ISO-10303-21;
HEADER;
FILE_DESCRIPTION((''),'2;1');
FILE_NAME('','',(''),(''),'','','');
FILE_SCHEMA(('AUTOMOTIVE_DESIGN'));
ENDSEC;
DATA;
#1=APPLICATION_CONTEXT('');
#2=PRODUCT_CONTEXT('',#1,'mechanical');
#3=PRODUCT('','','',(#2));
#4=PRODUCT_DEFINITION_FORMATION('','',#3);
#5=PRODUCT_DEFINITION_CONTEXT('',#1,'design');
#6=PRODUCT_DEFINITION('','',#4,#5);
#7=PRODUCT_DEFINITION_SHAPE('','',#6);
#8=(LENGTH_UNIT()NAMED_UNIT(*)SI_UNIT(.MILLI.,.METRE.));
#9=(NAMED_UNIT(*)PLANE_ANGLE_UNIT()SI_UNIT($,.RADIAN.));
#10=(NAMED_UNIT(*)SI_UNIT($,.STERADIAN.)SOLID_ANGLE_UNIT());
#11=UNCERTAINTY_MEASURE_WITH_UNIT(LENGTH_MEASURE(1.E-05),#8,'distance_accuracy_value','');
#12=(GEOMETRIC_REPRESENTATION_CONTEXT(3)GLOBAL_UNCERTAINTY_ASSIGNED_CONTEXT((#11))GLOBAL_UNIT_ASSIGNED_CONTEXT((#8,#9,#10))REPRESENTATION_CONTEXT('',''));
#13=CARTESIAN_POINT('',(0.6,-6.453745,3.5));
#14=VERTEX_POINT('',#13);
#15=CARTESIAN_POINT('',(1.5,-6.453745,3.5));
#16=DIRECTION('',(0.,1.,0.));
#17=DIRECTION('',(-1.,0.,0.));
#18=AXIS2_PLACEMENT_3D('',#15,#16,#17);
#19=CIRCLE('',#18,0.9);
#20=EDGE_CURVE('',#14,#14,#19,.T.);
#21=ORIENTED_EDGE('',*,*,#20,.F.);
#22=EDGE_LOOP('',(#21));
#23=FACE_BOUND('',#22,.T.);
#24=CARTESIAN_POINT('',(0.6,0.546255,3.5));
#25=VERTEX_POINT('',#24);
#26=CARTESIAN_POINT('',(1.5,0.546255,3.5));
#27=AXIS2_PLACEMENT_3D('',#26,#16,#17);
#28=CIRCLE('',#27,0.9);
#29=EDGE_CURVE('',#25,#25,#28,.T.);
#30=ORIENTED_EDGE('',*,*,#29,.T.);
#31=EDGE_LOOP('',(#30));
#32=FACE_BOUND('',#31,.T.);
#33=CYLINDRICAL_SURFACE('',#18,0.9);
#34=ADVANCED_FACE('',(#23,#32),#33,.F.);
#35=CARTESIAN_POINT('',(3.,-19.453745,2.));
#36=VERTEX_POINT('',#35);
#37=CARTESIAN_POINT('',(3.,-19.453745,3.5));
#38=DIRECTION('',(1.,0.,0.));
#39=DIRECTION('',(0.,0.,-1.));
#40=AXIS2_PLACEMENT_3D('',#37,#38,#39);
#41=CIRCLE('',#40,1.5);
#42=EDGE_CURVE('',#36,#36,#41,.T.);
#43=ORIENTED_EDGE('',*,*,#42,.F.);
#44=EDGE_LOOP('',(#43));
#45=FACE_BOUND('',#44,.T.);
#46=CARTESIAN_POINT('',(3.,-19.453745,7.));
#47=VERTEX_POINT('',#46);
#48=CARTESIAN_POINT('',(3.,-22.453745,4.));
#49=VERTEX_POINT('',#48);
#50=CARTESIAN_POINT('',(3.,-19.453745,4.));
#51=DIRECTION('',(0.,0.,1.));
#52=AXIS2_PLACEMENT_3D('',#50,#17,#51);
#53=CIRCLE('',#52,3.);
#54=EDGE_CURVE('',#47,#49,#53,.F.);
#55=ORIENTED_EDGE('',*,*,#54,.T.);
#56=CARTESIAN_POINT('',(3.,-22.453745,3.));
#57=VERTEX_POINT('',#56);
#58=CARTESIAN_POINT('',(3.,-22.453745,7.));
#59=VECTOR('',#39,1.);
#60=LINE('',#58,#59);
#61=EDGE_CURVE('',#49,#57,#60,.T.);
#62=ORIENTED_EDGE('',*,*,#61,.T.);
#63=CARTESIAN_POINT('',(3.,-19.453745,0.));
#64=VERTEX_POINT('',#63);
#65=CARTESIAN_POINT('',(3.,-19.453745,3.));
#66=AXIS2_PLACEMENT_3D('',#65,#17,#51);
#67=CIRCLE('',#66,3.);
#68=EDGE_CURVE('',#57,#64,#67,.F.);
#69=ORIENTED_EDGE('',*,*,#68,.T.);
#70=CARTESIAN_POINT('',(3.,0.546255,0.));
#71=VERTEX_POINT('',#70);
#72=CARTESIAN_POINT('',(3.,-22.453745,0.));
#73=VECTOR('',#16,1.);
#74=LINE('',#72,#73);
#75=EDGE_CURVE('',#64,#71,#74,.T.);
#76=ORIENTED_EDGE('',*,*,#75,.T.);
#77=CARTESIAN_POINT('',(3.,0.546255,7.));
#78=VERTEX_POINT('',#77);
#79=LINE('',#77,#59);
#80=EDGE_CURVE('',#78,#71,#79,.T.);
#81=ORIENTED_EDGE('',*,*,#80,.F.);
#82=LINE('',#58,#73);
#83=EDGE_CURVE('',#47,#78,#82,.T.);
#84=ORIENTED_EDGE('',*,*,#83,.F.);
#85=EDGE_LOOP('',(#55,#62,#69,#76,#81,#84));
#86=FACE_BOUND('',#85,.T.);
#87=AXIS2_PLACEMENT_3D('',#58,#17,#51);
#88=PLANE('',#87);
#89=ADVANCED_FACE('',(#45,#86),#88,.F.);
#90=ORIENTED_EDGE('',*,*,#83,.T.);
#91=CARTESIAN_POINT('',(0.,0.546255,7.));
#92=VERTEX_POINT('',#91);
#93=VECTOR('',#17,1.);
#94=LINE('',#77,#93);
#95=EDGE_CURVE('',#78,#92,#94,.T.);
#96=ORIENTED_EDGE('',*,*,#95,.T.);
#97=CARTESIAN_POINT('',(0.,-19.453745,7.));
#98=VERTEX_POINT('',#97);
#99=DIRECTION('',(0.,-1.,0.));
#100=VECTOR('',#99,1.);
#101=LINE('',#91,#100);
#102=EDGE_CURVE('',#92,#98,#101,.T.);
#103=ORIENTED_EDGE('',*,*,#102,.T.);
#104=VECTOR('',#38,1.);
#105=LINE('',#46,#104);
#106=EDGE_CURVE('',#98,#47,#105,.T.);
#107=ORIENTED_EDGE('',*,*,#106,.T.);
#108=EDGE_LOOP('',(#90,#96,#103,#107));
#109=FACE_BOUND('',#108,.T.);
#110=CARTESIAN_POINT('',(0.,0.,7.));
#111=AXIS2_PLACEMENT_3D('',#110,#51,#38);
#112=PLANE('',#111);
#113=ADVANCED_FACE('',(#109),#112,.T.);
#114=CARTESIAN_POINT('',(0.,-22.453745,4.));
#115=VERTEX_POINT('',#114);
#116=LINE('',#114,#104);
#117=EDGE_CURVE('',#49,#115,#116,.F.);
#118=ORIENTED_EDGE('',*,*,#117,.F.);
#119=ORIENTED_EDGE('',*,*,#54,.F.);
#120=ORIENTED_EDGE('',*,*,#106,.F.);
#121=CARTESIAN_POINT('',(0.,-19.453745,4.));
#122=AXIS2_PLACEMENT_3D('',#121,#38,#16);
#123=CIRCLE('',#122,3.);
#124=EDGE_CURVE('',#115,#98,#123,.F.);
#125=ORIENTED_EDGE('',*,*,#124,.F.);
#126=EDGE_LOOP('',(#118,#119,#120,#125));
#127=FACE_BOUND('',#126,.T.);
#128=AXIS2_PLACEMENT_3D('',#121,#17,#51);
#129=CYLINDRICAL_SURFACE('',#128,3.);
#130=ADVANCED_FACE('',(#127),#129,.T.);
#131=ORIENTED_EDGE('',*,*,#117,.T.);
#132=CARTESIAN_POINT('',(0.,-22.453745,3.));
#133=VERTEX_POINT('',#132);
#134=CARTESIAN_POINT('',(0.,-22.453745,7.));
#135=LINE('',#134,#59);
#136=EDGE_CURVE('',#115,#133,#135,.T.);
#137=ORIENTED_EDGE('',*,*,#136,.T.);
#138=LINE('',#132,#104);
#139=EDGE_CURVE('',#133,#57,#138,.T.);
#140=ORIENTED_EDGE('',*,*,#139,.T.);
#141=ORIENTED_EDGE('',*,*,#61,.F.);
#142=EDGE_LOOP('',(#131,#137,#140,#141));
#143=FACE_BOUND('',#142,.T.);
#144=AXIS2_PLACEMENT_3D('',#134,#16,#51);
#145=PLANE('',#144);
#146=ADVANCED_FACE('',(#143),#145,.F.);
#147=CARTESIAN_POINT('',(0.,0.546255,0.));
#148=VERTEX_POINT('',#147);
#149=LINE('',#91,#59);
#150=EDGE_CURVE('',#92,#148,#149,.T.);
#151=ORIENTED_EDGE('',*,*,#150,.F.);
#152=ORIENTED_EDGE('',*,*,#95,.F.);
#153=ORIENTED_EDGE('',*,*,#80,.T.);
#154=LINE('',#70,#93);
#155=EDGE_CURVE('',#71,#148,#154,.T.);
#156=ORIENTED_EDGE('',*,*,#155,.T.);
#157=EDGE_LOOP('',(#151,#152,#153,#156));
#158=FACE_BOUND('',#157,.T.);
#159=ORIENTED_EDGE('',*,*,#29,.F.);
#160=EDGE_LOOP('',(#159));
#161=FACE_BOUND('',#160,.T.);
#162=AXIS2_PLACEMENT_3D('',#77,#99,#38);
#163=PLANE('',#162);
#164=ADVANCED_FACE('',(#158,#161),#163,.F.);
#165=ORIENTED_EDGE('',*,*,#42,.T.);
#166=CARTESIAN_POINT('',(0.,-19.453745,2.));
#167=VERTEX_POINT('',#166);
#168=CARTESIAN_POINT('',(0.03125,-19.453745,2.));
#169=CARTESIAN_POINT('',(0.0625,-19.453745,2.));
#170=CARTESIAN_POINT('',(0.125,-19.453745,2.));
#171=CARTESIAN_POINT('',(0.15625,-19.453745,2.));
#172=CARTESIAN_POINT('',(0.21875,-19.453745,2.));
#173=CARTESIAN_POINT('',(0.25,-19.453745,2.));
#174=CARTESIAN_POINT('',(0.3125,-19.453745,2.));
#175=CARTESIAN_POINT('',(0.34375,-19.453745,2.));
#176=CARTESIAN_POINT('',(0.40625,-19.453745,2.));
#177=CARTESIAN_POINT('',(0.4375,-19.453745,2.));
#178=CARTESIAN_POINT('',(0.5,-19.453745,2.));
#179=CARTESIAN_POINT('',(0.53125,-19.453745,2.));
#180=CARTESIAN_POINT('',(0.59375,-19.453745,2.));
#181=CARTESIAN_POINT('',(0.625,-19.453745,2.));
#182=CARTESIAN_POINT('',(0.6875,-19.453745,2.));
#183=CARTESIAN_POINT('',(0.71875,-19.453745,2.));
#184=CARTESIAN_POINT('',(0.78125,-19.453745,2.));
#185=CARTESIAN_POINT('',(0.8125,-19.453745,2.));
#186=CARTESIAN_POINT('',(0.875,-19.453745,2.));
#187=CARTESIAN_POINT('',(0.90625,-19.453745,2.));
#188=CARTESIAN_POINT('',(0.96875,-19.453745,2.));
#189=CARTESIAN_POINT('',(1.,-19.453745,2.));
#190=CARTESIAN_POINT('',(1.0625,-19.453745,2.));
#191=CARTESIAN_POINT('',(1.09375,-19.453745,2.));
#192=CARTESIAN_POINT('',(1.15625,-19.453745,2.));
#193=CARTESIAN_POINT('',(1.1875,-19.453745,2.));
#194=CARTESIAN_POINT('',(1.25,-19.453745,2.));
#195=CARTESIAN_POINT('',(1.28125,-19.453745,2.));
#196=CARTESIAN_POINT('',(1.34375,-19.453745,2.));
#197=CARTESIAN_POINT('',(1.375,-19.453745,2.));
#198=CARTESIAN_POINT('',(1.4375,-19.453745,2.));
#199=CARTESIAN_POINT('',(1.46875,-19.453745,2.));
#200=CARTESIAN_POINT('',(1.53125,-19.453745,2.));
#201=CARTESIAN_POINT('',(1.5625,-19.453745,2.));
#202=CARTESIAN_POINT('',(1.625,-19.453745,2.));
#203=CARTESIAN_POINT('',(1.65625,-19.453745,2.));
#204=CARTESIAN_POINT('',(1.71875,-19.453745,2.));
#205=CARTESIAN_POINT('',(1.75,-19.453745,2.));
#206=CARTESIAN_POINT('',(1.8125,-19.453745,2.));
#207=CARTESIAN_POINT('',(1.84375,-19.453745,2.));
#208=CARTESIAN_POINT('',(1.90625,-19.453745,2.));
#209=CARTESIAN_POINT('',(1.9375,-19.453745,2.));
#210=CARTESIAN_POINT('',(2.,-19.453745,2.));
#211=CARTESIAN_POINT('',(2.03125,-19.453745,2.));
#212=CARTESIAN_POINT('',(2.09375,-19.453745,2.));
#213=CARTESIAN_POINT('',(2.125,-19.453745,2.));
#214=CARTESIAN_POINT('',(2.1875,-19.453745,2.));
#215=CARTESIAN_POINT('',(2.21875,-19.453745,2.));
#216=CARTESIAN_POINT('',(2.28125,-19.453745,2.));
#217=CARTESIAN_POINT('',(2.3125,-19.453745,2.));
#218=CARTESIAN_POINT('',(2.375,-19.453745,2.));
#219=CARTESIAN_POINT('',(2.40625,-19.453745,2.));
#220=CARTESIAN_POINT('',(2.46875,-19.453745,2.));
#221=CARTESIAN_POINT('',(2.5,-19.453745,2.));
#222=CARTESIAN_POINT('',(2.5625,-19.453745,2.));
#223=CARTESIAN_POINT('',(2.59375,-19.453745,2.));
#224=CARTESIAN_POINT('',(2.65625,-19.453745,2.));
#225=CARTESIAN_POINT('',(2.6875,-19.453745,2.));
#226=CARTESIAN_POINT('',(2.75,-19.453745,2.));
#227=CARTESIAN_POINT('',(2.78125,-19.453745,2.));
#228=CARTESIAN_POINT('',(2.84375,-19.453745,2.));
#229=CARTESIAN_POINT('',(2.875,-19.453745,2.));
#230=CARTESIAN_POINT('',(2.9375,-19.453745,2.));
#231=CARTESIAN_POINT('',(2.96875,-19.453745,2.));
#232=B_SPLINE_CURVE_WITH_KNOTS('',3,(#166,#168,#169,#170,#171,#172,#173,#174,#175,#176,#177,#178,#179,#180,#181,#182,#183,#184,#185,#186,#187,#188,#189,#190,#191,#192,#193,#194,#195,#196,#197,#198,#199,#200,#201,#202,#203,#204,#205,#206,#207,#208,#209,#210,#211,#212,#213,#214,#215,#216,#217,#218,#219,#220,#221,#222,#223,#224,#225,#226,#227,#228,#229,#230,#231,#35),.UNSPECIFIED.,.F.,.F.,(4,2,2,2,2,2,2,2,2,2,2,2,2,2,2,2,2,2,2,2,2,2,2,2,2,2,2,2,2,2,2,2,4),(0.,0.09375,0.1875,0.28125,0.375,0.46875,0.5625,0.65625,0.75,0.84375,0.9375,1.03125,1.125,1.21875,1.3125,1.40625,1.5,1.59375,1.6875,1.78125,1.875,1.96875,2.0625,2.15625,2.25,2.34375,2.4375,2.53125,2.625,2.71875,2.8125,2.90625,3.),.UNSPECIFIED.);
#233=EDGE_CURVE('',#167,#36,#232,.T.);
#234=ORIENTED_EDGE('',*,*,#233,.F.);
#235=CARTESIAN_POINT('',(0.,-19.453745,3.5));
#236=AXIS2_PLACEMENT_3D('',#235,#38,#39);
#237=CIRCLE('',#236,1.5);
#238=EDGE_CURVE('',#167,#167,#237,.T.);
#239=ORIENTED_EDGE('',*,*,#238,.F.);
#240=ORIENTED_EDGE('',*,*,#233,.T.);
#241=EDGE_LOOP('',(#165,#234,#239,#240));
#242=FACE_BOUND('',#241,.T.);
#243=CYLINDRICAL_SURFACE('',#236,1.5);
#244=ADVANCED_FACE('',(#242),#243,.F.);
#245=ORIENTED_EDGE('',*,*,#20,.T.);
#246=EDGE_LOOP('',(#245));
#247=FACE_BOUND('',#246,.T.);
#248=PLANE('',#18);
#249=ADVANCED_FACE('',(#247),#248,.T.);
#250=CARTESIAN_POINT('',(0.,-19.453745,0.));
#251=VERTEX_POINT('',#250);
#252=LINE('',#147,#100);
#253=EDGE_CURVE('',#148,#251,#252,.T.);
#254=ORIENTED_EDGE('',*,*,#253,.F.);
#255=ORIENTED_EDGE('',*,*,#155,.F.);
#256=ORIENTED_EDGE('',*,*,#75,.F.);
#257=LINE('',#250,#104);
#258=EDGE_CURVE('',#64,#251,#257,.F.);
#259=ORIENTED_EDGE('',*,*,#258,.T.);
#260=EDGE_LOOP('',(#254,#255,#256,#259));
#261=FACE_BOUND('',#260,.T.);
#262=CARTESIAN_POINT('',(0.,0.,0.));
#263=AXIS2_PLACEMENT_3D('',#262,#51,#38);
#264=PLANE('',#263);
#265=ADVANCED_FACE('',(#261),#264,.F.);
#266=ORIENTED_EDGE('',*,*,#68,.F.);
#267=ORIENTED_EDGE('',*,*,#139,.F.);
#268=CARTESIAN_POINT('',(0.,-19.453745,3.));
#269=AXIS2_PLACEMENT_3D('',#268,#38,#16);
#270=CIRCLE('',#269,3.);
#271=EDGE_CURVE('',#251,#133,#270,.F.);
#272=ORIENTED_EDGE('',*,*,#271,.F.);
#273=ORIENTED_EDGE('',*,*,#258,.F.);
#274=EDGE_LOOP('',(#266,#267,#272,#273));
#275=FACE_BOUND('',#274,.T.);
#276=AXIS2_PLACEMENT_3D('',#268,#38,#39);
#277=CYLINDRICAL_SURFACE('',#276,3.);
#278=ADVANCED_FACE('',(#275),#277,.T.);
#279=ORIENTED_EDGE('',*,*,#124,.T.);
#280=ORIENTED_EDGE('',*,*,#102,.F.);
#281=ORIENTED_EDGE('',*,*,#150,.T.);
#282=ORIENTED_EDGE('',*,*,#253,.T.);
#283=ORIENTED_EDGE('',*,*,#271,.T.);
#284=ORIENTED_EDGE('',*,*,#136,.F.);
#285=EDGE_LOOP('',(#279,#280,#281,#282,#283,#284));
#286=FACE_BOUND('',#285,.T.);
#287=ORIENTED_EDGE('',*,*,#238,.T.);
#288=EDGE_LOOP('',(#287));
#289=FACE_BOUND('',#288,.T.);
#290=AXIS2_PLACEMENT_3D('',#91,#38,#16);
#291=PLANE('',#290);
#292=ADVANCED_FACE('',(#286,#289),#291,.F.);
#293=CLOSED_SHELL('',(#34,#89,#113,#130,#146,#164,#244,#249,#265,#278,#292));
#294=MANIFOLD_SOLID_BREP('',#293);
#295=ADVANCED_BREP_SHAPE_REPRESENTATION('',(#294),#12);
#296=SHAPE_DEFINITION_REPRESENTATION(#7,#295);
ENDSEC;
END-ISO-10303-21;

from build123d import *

# Parameters (mm, degrees)
SKETCH_1_W          = 3
SKETCH_1_H          = 23
EXTRUDE_1_DEPTH     = 7
SKETCH_4_R          = 1.5
CUT_EXTRUDE_2_DEPTH = 24.71013886
FILLET_1_R          = 3
SKETCH_3_R          = 0.9
CUT_EXTRUDE_4_DEPTH = 7


with BuildPart() as part:
    # 草图1 → 凸台-拉伸1 (new body)
    with BuildSketch(Plane.XY):
        with Locations((1.5, -10.953745451)):
            Rectangle(SKETCH_1_W, SKETCH_1_H)
    extrude(amount=EXTRUDE_1_DEPTH)

    # 草图4 → 切除-拉伸2 (cut, through all)
    with BuildSketch(Plane(origin=(3, 0, 0), x_dir=(0, 0, -1), z_dir=(1, 0, 0))):
        with Locations((-3.5, -19.453745451)):
            Circle(SKETCH_4_R)
    extrude(amount=-CUT_EXTRUDE_2_DEPTH, mode=Mode.SUBTRACT)

    # 圆角1
    fillet_1_edges = [part.edges().sort_by_distance(p)[0] for p in [
        (1.5, -22.453745451, 7),
        (1.5, -22.453745451, 0),
    ]]
    fillet(fillet_1_edges, radius=FILLET_1_R)

    # 草图3 → 切除-拉伸4 (cut)
    with BuildSketch(Plane(origin=(0, 0.546254549, 0), x_dir=(1, 0, 0), z_dir=(0, 1, 0))):
        with Locations(Location((1.5, -3.5, 0), (0, 0, 180))):
            Circle(SKETCH_3_R)
    extrude(amount=-CUT_EXTRUDE_4_DEPTH, mode=Mode.SUBTRACT)


solid = part.part
